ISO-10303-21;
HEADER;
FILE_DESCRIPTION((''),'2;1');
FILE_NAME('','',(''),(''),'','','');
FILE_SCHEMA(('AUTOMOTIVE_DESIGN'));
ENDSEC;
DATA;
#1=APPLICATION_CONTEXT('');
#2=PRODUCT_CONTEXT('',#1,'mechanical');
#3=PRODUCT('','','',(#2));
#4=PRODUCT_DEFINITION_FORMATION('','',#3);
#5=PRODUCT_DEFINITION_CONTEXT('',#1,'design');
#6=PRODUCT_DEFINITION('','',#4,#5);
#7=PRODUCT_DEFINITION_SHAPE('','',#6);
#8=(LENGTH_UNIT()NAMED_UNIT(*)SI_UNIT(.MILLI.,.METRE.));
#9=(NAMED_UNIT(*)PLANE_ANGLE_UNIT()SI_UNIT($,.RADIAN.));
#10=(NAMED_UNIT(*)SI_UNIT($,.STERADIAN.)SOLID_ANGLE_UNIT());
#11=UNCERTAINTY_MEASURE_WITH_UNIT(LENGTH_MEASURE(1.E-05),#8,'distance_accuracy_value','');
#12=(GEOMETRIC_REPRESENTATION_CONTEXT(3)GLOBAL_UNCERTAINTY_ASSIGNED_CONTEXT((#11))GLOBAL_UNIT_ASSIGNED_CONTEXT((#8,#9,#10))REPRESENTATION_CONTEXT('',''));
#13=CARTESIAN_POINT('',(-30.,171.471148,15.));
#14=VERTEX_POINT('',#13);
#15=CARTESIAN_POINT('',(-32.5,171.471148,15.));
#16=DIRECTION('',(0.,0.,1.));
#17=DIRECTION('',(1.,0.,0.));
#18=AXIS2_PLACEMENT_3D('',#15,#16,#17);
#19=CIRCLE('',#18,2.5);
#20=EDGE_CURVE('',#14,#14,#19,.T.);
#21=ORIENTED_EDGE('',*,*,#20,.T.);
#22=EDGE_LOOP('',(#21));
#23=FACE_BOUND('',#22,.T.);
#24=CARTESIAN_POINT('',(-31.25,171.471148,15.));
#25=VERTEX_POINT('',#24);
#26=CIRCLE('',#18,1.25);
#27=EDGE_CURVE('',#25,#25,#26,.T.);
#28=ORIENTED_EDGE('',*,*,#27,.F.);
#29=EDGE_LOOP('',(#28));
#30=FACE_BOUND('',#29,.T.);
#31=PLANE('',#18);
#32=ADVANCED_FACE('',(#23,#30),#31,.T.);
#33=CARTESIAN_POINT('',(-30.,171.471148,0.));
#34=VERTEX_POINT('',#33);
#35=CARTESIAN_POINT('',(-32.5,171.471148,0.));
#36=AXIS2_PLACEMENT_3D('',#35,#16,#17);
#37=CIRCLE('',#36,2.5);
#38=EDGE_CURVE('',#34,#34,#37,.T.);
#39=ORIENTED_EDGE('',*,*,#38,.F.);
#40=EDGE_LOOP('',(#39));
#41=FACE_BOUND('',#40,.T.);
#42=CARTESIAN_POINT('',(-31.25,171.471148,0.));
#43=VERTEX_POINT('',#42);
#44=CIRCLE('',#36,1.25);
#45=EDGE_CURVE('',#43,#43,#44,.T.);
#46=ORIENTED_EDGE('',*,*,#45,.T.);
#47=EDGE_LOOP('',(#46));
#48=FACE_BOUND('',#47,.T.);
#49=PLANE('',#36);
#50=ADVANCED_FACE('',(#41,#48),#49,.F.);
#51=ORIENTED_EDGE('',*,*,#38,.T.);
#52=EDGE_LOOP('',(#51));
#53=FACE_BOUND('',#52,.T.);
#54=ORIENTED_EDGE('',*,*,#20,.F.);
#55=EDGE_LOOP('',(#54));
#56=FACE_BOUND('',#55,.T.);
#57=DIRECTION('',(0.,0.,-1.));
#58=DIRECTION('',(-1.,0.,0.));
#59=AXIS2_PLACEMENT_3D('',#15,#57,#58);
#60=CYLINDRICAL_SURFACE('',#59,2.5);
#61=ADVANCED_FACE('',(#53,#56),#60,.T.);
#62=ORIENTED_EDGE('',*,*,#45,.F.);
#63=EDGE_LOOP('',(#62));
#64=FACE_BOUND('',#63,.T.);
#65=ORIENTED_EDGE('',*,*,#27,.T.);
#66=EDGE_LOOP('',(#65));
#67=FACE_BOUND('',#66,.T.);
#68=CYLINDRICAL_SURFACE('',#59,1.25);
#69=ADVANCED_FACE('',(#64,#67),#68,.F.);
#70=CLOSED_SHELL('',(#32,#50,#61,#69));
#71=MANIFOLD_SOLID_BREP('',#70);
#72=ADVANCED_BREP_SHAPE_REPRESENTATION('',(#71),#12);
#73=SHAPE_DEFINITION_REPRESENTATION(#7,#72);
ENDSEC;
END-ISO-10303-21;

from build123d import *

# Parameters (mm, degrees)
SKETCH1_R           = 2.5
SKETCH1_R_2         = 1.25
BOSS_EXTRUDE1_DEPTH = 15


with BuildPart() as part:
    # Sketch1 → Boss-Extrude1 (new body)
    with BuildSketch(Plane.XY):
        with Locations((-32.5, 171.471148243)):
            Circle(SKETCH1_R)
        with Locations((-32.5, 171.471148243)):
            Circle(SKETCH1_R_2, mode=Mode.SUBTRACT)
    extrude(amount=BOSS_EXTRUDE1_DEPTH)


solid = part.part
